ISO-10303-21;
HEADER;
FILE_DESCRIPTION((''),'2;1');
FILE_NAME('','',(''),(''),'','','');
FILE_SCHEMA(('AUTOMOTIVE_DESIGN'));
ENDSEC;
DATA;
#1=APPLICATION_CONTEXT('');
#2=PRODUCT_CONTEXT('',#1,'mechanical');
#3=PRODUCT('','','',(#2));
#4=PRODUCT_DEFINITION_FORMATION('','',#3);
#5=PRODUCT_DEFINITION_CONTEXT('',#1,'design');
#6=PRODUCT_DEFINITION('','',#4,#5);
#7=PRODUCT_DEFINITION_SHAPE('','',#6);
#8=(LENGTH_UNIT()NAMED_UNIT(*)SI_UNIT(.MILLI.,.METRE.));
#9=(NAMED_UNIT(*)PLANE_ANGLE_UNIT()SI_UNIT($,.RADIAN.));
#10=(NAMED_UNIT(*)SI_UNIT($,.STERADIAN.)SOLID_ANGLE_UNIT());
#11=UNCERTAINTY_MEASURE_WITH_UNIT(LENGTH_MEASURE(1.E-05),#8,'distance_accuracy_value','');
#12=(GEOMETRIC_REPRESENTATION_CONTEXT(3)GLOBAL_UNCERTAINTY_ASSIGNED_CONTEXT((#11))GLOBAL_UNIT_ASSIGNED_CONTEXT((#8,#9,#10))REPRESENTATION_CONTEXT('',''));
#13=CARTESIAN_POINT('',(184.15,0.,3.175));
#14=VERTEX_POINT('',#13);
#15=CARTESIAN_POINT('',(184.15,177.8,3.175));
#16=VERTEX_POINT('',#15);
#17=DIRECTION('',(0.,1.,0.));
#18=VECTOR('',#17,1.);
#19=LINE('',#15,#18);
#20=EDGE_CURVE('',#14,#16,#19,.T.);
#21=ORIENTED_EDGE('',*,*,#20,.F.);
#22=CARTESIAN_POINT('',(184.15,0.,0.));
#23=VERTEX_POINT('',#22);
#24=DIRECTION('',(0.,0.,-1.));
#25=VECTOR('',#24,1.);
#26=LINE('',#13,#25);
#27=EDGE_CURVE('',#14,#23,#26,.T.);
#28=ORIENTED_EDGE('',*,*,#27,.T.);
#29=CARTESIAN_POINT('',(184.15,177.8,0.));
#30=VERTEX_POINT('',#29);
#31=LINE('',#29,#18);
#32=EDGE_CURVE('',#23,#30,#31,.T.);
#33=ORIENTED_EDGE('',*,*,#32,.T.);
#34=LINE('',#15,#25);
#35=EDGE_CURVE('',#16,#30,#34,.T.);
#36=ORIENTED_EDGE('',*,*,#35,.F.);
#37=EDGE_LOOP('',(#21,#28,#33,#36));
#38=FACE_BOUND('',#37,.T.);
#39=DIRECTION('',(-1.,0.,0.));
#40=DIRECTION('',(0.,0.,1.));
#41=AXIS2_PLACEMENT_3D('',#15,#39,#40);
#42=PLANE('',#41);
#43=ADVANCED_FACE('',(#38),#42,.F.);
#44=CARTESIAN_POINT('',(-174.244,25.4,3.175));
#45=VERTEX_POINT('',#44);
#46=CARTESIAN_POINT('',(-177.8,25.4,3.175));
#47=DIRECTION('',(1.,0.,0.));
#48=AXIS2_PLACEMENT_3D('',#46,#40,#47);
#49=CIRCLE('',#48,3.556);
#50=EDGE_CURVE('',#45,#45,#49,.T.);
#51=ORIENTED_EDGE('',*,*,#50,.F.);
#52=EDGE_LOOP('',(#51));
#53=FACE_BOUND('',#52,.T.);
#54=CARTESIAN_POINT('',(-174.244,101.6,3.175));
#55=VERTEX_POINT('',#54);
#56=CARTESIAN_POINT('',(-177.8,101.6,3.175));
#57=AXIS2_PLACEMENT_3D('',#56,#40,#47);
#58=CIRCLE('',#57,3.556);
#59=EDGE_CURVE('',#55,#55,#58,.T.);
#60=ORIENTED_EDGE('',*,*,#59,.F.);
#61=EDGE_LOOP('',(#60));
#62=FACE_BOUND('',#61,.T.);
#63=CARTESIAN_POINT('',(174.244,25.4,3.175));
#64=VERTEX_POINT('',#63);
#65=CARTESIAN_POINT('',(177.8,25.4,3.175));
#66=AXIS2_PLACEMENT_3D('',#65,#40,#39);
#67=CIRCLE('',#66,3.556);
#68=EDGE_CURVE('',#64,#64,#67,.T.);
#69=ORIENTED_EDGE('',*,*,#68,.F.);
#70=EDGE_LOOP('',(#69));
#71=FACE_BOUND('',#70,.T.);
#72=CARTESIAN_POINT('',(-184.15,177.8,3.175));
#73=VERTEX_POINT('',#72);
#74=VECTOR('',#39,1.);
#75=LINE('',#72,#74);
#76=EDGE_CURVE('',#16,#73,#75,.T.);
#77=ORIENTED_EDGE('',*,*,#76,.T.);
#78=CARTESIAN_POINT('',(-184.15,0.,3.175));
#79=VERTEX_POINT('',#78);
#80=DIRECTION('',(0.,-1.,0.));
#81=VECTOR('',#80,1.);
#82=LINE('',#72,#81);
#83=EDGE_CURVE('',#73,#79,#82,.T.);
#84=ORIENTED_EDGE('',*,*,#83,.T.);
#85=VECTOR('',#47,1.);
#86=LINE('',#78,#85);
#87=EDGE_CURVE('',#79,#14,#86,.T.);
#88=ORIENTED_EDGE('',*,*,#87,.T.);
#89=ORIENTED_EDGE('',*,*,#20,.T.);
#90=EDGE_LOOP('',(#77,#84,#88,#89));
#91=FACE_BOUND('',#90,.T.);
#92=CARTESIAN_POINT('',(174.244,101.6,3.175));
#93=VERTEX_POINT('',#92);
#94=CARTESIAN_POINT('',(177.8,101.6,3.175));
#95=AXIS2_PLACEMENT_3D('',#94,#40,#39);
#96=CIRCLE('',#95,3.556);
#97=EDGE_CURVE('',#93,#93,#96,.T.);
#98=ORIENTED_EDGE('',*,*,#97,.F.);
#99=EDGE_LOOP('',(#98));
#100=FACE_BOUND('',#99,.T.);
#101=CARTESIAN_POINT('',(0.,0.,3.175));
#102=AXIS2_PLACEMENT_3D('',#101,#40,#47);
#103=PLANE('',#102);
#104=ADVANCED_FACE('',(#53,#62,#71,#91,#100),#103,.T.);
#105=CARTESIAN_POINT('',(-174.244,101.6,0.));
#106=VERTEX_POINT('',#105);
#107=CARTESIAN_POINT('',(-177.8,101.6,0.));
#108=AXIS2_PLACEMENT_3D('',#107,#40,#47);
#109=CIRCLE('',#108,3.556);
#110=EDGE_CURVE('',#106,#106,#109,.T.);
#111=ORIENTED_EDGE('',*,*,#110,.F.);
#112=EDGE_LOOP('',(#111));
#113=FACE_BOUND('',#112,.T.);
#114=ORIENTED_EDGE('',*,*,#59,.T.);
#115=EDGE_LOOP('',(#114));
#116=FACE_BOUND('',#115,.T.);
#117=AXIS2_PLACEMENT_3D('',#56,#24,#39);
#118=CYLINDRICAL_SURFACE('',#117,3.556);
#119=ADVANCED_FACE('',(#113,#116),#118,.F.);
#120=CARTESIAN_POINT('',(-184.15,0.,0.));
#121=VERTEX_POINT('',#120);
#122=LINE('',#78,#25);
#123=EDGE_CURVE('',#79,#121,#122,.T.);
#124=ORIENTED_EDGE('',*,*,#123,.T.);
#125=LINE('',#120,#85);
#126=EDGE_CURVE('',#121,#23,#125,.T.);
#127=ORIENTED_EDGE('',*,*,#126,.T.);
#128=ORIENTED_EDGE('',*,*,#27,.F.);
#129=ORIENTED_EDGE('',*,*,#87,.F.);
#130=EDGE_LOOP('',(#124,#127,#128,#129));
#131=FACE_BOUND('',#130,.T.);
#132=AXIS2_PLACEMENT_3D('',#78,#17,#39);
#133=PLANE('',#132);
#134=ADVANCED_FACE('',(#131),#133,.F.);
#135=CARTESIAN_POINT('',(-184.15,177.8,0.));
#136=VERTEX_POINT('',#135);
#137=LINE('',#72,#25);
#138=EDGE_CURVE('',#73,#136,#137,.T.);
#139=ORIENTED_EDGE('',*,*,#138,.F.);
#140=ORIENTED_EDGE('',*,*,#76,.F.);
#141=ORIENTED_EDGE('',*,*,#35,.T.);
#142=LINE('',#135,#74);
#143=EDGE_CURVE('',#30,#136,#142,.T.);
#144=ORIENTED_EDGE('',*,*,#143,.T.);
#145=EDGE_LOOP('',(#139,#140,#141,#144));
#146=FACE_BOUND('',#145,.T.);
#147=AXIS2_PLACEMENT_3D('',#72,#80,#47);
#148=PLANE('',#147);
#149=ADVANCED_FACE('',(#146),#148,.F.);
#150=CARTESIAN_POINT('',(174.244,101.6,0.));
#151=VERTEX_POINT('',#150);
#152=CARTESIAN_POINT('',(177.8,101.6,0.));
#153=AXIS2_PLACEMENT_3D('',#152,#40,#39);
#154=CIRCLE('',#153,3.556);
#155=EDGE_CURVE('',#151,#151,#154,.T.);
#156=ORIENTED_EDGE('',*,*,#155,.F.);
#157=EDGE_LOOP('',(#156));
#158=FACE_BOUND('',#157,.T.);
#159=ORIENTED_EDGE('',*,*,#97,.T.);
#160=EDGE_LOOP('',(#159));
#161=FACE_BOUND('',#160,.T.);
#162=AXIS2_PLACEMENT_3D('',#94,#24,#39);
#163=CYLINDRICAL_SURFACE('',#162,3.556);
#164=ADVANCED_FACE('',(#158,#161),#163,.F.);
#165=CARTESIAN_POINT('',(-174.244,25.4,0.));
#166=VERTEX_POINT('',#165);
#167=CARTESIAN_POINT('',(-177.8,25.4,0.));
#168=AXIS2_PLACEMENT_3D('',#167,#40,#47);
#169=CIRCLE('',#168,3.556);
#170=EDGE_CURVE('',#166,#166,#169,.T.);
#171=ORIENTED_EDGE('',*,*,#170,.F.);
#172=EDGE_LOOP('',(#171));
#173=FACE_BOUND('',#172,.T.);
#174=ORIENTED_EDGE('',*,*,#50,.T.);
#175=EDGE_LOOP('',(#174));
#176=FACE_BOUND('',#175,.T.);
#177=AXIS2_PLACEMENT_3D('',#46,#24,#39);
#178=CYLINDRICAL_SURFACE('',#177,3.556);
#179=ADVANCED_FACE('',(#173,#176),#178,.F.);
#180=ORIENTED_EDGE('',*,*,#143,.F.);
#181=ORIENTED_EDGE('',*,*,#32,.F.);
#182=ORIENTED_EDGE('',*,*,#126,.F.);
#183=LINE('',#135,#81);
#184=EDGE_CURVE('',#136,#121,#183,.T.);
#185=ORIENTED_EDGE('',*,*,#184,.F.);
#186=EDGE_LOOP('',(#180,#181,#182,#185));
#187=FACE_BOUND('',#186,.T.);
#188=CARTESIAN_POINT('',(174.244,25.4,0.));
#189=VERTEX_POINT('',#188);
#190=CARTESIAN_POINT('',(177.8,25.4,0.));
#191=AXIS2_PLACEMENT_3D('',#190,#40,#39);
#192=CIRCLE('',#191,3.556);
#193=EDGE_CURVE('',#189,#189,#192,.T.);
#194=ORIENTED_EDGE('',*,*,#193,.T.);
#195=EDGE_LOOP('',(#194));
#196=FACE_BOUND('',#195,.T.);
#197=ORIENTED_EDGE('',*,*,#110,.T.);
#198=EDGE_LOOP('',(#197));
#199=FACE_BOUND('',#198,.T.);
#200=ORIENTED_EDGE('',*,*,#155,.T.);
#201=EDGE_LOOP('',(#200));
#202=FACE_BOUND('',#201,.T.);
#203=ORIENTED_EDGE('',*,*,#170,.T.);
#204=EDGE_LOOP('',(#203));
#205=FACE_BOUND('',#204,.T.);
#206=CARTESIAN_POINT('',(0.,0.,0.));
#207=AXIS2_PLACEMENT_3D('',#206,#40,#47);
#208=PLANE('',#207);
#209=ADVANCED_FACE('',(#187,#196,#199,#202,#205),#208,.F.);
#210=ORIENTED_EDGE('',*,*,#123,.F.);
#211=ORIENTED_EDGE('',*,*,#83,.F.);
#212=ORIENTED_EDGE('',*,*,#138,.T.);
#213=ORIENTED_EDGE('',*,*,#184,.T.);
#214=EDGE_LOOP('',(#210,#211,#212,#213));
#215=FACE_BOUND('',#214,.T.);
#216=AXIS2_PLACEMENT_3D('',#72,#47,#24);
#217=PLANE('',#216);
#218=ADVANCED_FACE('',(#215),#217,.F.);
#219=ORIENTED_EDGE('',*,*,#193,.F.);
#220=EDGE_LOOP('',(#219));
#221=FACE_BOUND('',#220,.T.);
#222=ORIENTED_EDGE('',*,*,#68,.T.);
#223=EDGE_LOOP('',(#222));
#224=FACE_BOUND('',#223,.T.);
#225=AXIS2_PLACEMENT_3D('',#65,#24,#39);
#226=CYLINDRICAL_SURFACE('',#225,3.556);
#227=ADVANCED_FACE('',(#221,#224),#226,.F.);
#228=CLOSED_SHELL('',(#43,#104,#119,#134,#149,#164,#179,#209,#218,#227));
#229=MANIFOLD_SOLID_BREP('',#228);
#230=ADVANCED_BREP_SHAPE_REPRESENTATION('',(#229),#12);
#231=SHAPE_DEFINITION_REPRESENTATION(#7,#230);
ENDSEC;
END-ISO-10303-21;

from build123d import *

# Parameters (mm, degrees)
SKETCH1_W           = 368.3
SKETCH1_H           = 177.8
SKETCH1_R           = 3.556
BOSS_EXTRUDE1_DEPTH = 3.175


with BuildPart() as part:
    # Sketch1 → Boss-Extrude1 (new body)
    with BuildSketch(Plane.XY):
        with Locations((0, 88.9)):
            Rectangle(SKETCH1_W, SKETCH1_H)
        with Locations((-177.8, 25.4)):
            Circle(SKETCH1_R, mode=Mode.SUBTRACT)
        with Locations((-177.8, 101.6)):
            Circle(SKETCH1_R, mode=Mode.SUBTRACT)
        with Locations((177.8, 101.6)):
            Circle(SKETCH1_R, mode=Mode.SUBTRACT)
        with Locations((177.8, 25.4)):
            Circle(SKETCH1_R, mode=Mode.SUBTRACT)
    extrude(amount=BOSS_EXTRUDE1_DEPTH)


solid = part.part
